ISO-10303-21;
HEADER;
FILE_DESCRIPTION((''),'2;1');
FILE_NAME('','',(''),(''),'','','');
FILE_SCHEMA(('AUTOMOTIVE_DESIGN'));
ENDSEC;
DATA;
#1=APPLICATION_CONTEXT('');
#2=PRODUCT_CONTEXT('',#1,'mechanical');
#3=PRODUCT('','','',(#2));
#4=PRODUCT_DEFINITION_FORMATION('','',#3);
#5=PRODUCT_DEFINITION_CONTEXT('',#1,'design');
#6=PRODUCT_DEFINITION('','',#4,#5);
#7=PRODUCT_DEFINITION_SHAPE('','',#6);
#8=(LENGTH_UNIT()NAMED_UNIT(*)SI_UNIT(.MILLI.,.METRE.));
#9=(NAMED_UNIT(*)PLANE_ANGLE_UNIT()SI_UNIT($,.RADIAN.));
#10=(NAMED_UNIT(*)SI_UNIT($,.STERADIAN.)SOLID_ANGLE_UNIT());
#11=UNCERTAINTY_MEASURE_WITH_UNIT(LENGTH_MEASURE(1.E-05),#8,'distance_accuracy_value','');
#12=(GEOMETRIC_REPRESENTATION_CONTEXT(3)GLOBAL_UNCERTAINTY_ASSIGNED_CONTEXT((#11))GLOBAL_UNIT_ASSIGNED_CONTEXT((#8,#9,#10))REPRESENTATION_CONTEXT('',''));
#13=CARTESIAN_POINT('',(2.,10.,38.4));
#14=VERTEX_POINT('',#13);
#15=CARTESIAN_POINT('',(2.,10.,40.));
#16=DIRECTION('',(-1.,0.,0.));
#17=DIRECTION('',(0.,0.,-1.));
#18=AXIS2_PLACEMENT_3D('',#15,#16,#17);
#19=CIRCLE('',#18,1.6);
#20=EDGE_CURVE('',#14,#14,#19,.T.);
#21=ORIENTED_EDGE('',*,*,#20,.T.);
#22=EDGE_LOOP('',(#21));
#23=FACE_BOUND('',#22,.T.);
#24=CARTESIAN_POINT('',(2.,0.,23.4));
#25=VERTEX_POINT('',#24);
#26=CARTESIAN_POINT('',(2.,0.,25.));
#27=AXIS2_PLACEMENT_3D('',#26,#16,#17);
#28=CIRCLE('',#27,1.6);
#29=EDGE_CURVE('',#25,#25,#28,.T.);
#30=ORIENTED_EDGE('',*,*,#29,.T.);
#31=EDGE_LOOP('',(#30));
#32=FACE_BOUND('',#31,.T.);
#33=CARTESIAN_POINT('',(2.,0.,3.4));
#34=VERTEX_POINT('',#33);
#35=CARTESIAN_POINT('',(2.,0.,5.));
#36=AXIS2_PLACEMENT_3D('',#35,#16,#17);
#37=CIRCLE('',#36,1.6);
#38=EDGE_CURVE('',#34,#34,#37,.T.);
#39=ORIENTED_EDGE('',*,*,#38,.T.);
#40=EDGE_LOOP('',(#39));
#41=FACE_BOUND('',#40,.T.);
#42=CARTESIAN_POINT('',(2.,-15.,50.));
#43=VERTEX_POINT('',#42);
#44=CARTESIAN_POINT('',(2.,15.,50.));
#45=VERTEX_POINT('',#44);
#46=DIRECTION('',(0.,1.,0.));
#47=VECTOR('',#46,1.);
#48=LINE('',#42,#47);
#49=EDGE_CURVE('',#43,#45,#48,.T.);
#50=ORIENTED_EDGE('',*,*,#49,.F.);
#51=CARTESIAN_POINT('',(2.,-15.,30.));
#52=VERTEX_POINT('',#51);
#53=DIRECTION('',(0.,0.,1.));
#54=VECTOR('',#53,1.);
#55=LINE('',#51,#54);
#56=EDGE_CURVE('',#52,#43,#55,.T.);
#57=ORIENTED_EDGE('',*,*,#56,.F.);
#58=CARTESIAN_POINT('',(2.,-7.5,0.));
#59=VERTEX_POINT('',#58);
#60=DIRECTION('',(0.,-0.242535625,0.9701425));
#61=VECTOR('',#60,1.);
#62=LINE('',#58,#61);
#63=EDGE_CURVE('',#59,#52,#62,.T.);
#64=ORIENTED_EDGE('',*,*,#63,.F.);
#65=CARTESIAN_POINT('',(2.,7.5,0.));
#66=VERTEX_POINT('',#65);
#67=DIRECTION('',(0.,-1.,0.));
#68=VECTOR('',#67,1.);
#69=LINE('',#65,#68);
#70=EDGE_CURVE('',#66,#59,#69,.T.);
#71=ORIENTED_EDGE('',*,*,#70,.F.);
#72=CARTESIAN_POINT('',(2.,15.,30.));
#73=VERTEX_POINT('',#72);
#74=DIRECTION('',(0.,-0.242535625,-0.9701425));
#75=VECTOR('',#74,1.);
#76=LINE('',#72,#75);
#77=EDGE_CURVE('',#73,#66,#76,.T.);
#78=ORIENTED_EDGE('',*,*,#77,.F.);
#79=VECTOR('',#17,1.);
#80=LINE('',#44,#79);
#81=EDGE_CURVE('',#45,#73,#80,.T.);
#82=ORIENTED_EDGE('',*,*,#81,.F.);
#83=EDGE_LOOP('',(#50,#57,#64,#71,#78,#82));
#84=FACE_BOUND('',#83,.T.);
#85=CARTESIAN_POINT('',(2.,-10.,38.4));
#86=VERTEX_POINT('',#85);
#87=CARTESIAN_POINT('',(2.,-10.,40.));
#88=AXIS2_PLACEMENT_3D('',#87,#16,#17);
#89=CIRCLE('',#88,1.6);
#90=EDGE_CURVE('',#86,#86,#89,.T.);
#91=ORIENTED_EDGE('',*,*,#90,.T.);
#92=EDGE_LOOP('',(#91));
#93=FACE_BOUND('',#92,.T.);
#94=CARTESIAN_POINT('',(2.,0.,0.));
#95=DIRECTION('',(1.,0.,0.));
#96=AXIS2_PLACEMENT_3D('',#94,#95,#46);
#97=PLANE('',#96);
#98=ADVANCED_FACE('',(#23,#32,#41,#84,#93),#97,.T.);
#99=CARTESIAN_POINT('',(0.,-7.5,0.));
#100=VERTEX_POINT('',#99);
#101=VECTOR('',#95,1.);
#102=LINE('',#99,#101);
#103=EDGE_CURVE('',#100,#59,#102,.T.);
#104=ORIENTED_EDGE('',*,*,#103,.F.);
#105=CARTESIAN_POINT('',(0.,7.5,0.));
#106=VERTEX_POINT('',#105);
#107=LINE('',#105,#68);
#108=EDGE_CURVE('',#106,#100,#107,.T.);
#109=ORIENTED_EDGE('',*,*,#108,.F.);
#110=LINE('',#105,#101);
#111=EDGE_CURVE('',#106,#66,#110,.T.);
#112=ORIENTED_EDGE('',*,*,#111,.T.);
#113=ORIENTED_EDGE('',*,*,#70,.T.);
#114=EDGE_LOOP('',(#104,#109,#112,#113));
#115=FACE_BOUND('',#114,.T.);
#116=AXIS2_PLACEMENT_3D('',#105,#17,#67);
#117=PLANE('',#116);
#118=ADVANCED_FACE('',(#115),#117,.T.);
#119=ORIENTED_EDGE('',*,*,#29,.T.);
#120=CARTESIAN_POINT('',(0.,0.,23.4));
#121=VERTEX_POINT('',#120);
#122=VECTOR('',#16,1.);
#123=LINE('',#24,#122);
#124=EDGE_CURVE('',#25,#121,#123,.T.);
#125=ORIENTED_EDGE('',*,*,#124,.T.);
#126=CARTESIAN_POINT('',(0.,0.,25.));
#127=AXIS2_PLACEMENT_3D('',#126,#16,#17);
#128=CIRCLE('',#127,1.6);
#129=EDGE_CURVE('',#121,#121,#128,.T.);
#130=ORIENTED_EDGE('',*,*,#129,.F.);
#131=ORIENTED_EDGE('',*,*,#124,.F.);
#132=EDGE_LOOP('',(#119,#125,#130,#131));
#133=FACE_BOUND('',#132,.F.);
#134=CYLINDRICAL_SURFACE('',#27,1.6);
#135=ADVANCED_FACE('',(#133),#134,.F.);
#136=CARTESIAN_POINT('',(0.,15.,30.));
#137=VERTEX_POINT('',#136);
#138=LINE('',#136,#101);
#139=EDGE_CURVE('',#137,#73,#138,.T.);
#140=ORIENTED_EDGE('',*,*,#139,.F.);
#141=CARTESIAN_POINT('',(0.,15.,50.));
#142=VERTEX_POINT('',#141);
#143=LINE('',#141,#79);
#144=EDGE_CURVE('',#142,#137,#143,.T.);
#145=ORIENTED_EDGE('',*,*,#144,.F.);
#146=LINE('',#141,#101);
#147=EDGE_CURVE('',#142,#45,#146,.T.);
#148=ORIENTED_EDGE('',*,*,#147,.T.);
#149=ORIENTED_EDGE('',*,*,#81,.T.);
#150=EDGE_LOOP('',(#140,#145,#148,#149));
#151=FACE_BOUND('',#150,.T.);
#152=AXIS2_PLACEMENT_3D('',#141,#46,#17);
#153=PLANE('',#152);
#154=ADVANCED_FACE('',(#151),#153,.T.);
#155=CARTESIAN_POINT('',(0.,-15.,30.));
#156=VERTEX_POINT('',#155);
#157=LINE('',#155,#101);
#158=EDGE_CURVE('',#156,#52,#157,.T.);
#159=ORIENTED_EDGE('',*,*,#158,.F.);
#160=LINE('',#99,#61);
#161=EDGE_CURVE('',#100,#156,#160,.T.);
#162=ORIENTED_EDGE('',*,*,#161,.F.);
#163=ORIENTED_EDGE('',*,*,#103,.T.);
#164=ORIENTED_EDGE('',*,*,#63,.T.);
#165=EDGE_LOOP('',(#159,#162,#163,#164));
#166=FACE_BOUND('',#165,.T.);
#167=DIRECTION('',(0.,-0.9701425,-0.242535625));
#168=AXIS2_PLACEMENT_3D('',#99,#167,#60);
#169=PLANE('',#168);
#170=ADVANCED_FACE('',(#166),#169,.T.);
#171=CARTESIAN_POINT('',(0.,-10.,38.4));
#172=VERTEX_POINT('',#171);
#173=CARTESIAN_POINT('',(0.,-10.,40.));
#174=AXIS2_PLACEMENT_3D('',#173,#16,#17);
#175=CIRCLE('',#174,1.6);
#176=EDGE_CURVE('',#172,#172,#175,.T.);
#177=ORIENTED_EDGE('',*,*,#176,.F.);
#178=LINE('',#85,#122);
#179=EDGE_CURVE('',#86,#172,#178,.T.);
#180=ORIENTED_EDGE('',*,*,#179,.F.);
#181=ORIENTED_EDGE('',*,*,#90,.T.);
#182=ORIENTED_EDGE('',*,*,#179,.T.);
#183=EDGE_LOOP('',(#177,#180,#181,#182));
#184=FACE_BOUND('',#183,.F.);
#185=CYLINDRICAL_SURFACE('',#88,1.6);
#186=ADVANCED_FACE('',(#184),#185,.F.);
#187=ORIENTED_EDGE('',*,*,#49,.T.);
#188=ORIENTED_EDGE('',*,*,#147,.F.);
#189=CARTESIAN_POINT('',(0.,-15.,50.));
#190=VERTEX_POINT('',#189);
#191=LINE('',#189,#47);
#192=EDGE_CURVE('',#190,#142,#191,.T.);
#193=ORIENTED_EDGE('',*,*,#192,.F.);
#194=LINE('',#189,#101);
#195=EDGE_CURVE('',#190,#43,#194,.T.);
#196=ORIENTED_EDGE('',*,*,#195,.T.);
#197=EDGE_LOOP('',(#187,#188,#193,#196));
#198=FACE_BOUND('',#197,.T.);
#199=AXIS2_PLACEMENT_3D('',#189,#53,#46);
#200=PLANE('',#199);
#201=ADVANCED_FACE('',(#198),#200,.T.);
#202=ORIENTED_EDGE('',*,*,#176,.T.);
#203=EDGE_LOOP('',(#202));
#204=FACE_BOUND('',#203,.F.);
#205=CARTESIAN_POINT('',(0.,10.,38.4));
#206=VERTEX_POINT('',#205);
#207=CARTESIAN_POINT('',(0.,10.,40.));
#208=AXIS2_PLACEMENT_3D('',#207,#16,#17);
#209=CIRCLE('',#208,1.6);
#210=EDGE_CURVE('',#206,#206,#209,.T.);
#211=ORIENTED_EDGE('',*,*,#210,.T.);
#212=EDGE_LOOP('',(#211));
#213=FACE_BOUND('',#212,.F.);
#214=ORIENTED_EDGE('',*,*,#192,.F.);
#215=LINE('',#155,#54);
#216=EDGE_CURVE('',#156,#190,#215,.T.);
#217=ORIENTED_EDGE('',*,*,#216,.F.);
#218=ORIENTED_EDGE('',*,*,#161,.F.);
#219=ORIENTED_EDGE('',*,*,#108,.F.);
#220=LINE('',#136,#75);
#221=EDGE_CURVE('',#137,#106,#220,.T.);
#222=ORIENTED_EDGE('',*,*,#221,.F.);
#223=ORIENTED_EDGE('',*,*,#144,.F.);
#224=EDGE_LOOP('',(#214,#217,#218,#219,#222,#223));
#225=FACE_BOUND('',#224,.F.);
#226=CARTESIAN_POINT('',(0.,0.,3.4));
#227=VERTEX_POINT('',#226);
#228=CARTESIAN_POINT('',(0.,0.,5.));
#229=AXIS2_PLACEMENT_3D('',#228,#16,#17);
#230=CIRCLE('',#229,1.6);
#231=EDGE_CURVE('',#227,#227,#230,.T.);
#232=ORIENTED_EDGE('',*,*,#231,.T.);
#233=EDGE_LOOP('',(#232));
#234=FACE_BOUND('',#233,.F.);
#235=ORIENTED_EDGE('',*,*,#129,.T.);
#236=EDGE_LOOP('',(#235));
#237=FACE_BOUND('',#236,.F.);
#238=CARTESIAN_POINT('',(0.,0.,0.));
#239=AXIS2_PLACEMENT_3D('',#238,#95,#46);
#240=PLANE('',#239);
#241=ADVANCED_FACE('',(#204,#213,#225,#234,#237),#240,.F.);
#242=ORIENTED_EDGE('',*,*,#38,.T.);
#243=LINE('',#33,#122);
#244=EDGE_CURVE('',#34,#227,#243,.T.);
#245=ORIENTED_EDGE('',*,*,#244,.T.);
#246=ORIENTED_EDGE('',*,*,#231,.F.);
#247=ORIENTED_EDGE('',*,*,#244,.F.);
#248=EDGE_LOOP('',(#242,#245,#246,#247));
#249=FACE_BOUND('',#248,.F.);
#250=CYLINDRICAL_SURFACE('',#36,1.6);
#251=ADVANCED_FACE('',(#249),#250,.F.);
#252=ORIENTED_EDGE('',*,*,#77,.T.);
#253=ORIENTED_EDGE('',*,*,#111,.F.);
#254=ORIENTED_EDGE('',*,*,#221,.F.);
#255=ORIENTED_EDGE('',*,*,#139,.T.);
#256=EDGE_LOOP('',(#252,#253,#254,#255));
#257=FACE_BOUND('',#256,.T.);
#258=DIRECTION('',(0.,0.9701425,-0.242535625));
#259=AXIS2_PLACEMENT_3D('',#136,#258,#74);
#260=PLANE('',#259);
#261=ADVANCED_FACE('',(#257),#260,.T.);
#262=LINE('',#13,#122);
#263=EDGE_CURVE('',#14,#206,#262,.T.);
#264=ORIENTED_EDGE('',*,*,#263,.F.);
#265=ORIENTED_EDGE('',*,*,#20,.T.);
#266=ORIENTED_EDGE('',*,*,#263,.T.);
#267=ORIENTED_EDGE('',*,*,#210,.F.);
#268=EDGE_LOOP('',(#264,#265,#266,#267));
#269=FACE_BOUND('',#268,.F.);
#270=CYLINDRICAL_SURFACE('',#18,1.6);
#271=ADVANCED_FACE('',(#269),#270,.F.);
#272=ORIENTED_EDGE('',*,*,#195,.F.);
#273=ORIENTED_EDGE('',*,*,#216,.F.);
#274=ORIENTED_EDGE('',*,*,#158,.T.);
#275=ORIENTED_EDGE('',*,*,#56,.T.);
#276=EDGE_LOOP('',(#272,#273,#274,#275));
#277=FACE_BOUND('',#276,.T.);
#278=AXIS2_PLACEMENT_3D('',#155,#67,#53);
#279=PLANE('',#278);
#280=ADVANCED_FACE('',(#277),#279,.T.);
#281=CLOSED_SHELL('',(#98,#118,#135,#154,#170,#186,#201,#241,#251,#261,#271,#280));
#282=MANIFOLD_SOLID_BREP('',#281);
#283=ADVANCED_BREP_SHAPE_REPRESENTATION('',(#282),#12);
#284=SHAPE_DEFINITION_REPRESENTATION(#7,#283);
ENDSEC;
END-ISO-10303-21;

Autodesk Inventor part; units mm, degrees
ref_plane "YZ Plane" through (0, 0, 0) normal (1, 0, 0) x (0, 1, 0)
ref_plane "XZ Plane" through (0, 0, 0) normal (0, 1, 0) x (-1, 0, 0)
ref_plane "XY Plane" through (0, 0, 0) normal (0, 0, 1) x (1, 0, 0)
sketch "スケッチ1" plane through (0, 0, 0) normal (1, 0, 0) x (0, 1, 0)
  line L0 (-7.5, 30) -> (7.5, 30)
  line L1 (7.5, 30) -> (7.5, 0)
  line L2 (7.5, 0) -> (-7.5, 0)
  line L3 (-7.5, 0) -> (-7.5, 30)
  line L4 (-15, 50) -> (15, 50)
  line L5 (15, 50) -> (15, 30)
  line L6 (15, 30) -> (-15, 30)
  line L7 (-15, 30) -> (-15, 50)
  line L8 (15, 30) -> (7.5, 0)
  line L9 (-7.5, 0) -> (-15, 30)
  point P0 (0, 0)
  point P1 (0, 0)
  point P2 (0, 30)
  dimension "d0" = 15
  dimension "d1" = 30
  dimension "d2" = 30
  dimension "d3" = 20
extrude "押し出し1" add sketch "スケッチ1" along normal blind 2
sketch "スケッチ2" plane through (2, 0, 0) normal (1, 0, 0) x (0, 0, -1)
  line L0 (0, -7.5) -> (0, 7.5) projected
  line L1 (-30, 15) -> (-50, 15) projected
  line L2 (-50, -15) -> (-30, -15) projected
  point P0 (0, 0)
  point P1 (-40, 10)
  point P2 (-40, -10)
  point P3 (-25, 0)
  point P4 (-5, 0)
  point P5 (0, 0)
  point P6 (-40, 15)
  dimension "d6" = 5
  dimension "d7" = 20
  dimension "d8" = 5
  dimension "d9" = 5
hole "穴1" at (2, 10, 40) at (2, -10, 40) at (2, 0, 25) at (2, 0, 5) direction (-1, 0, 0) diameter 3.2 end through all
properties part number "FrameJointT2015" material "アルミニウム 6061"
